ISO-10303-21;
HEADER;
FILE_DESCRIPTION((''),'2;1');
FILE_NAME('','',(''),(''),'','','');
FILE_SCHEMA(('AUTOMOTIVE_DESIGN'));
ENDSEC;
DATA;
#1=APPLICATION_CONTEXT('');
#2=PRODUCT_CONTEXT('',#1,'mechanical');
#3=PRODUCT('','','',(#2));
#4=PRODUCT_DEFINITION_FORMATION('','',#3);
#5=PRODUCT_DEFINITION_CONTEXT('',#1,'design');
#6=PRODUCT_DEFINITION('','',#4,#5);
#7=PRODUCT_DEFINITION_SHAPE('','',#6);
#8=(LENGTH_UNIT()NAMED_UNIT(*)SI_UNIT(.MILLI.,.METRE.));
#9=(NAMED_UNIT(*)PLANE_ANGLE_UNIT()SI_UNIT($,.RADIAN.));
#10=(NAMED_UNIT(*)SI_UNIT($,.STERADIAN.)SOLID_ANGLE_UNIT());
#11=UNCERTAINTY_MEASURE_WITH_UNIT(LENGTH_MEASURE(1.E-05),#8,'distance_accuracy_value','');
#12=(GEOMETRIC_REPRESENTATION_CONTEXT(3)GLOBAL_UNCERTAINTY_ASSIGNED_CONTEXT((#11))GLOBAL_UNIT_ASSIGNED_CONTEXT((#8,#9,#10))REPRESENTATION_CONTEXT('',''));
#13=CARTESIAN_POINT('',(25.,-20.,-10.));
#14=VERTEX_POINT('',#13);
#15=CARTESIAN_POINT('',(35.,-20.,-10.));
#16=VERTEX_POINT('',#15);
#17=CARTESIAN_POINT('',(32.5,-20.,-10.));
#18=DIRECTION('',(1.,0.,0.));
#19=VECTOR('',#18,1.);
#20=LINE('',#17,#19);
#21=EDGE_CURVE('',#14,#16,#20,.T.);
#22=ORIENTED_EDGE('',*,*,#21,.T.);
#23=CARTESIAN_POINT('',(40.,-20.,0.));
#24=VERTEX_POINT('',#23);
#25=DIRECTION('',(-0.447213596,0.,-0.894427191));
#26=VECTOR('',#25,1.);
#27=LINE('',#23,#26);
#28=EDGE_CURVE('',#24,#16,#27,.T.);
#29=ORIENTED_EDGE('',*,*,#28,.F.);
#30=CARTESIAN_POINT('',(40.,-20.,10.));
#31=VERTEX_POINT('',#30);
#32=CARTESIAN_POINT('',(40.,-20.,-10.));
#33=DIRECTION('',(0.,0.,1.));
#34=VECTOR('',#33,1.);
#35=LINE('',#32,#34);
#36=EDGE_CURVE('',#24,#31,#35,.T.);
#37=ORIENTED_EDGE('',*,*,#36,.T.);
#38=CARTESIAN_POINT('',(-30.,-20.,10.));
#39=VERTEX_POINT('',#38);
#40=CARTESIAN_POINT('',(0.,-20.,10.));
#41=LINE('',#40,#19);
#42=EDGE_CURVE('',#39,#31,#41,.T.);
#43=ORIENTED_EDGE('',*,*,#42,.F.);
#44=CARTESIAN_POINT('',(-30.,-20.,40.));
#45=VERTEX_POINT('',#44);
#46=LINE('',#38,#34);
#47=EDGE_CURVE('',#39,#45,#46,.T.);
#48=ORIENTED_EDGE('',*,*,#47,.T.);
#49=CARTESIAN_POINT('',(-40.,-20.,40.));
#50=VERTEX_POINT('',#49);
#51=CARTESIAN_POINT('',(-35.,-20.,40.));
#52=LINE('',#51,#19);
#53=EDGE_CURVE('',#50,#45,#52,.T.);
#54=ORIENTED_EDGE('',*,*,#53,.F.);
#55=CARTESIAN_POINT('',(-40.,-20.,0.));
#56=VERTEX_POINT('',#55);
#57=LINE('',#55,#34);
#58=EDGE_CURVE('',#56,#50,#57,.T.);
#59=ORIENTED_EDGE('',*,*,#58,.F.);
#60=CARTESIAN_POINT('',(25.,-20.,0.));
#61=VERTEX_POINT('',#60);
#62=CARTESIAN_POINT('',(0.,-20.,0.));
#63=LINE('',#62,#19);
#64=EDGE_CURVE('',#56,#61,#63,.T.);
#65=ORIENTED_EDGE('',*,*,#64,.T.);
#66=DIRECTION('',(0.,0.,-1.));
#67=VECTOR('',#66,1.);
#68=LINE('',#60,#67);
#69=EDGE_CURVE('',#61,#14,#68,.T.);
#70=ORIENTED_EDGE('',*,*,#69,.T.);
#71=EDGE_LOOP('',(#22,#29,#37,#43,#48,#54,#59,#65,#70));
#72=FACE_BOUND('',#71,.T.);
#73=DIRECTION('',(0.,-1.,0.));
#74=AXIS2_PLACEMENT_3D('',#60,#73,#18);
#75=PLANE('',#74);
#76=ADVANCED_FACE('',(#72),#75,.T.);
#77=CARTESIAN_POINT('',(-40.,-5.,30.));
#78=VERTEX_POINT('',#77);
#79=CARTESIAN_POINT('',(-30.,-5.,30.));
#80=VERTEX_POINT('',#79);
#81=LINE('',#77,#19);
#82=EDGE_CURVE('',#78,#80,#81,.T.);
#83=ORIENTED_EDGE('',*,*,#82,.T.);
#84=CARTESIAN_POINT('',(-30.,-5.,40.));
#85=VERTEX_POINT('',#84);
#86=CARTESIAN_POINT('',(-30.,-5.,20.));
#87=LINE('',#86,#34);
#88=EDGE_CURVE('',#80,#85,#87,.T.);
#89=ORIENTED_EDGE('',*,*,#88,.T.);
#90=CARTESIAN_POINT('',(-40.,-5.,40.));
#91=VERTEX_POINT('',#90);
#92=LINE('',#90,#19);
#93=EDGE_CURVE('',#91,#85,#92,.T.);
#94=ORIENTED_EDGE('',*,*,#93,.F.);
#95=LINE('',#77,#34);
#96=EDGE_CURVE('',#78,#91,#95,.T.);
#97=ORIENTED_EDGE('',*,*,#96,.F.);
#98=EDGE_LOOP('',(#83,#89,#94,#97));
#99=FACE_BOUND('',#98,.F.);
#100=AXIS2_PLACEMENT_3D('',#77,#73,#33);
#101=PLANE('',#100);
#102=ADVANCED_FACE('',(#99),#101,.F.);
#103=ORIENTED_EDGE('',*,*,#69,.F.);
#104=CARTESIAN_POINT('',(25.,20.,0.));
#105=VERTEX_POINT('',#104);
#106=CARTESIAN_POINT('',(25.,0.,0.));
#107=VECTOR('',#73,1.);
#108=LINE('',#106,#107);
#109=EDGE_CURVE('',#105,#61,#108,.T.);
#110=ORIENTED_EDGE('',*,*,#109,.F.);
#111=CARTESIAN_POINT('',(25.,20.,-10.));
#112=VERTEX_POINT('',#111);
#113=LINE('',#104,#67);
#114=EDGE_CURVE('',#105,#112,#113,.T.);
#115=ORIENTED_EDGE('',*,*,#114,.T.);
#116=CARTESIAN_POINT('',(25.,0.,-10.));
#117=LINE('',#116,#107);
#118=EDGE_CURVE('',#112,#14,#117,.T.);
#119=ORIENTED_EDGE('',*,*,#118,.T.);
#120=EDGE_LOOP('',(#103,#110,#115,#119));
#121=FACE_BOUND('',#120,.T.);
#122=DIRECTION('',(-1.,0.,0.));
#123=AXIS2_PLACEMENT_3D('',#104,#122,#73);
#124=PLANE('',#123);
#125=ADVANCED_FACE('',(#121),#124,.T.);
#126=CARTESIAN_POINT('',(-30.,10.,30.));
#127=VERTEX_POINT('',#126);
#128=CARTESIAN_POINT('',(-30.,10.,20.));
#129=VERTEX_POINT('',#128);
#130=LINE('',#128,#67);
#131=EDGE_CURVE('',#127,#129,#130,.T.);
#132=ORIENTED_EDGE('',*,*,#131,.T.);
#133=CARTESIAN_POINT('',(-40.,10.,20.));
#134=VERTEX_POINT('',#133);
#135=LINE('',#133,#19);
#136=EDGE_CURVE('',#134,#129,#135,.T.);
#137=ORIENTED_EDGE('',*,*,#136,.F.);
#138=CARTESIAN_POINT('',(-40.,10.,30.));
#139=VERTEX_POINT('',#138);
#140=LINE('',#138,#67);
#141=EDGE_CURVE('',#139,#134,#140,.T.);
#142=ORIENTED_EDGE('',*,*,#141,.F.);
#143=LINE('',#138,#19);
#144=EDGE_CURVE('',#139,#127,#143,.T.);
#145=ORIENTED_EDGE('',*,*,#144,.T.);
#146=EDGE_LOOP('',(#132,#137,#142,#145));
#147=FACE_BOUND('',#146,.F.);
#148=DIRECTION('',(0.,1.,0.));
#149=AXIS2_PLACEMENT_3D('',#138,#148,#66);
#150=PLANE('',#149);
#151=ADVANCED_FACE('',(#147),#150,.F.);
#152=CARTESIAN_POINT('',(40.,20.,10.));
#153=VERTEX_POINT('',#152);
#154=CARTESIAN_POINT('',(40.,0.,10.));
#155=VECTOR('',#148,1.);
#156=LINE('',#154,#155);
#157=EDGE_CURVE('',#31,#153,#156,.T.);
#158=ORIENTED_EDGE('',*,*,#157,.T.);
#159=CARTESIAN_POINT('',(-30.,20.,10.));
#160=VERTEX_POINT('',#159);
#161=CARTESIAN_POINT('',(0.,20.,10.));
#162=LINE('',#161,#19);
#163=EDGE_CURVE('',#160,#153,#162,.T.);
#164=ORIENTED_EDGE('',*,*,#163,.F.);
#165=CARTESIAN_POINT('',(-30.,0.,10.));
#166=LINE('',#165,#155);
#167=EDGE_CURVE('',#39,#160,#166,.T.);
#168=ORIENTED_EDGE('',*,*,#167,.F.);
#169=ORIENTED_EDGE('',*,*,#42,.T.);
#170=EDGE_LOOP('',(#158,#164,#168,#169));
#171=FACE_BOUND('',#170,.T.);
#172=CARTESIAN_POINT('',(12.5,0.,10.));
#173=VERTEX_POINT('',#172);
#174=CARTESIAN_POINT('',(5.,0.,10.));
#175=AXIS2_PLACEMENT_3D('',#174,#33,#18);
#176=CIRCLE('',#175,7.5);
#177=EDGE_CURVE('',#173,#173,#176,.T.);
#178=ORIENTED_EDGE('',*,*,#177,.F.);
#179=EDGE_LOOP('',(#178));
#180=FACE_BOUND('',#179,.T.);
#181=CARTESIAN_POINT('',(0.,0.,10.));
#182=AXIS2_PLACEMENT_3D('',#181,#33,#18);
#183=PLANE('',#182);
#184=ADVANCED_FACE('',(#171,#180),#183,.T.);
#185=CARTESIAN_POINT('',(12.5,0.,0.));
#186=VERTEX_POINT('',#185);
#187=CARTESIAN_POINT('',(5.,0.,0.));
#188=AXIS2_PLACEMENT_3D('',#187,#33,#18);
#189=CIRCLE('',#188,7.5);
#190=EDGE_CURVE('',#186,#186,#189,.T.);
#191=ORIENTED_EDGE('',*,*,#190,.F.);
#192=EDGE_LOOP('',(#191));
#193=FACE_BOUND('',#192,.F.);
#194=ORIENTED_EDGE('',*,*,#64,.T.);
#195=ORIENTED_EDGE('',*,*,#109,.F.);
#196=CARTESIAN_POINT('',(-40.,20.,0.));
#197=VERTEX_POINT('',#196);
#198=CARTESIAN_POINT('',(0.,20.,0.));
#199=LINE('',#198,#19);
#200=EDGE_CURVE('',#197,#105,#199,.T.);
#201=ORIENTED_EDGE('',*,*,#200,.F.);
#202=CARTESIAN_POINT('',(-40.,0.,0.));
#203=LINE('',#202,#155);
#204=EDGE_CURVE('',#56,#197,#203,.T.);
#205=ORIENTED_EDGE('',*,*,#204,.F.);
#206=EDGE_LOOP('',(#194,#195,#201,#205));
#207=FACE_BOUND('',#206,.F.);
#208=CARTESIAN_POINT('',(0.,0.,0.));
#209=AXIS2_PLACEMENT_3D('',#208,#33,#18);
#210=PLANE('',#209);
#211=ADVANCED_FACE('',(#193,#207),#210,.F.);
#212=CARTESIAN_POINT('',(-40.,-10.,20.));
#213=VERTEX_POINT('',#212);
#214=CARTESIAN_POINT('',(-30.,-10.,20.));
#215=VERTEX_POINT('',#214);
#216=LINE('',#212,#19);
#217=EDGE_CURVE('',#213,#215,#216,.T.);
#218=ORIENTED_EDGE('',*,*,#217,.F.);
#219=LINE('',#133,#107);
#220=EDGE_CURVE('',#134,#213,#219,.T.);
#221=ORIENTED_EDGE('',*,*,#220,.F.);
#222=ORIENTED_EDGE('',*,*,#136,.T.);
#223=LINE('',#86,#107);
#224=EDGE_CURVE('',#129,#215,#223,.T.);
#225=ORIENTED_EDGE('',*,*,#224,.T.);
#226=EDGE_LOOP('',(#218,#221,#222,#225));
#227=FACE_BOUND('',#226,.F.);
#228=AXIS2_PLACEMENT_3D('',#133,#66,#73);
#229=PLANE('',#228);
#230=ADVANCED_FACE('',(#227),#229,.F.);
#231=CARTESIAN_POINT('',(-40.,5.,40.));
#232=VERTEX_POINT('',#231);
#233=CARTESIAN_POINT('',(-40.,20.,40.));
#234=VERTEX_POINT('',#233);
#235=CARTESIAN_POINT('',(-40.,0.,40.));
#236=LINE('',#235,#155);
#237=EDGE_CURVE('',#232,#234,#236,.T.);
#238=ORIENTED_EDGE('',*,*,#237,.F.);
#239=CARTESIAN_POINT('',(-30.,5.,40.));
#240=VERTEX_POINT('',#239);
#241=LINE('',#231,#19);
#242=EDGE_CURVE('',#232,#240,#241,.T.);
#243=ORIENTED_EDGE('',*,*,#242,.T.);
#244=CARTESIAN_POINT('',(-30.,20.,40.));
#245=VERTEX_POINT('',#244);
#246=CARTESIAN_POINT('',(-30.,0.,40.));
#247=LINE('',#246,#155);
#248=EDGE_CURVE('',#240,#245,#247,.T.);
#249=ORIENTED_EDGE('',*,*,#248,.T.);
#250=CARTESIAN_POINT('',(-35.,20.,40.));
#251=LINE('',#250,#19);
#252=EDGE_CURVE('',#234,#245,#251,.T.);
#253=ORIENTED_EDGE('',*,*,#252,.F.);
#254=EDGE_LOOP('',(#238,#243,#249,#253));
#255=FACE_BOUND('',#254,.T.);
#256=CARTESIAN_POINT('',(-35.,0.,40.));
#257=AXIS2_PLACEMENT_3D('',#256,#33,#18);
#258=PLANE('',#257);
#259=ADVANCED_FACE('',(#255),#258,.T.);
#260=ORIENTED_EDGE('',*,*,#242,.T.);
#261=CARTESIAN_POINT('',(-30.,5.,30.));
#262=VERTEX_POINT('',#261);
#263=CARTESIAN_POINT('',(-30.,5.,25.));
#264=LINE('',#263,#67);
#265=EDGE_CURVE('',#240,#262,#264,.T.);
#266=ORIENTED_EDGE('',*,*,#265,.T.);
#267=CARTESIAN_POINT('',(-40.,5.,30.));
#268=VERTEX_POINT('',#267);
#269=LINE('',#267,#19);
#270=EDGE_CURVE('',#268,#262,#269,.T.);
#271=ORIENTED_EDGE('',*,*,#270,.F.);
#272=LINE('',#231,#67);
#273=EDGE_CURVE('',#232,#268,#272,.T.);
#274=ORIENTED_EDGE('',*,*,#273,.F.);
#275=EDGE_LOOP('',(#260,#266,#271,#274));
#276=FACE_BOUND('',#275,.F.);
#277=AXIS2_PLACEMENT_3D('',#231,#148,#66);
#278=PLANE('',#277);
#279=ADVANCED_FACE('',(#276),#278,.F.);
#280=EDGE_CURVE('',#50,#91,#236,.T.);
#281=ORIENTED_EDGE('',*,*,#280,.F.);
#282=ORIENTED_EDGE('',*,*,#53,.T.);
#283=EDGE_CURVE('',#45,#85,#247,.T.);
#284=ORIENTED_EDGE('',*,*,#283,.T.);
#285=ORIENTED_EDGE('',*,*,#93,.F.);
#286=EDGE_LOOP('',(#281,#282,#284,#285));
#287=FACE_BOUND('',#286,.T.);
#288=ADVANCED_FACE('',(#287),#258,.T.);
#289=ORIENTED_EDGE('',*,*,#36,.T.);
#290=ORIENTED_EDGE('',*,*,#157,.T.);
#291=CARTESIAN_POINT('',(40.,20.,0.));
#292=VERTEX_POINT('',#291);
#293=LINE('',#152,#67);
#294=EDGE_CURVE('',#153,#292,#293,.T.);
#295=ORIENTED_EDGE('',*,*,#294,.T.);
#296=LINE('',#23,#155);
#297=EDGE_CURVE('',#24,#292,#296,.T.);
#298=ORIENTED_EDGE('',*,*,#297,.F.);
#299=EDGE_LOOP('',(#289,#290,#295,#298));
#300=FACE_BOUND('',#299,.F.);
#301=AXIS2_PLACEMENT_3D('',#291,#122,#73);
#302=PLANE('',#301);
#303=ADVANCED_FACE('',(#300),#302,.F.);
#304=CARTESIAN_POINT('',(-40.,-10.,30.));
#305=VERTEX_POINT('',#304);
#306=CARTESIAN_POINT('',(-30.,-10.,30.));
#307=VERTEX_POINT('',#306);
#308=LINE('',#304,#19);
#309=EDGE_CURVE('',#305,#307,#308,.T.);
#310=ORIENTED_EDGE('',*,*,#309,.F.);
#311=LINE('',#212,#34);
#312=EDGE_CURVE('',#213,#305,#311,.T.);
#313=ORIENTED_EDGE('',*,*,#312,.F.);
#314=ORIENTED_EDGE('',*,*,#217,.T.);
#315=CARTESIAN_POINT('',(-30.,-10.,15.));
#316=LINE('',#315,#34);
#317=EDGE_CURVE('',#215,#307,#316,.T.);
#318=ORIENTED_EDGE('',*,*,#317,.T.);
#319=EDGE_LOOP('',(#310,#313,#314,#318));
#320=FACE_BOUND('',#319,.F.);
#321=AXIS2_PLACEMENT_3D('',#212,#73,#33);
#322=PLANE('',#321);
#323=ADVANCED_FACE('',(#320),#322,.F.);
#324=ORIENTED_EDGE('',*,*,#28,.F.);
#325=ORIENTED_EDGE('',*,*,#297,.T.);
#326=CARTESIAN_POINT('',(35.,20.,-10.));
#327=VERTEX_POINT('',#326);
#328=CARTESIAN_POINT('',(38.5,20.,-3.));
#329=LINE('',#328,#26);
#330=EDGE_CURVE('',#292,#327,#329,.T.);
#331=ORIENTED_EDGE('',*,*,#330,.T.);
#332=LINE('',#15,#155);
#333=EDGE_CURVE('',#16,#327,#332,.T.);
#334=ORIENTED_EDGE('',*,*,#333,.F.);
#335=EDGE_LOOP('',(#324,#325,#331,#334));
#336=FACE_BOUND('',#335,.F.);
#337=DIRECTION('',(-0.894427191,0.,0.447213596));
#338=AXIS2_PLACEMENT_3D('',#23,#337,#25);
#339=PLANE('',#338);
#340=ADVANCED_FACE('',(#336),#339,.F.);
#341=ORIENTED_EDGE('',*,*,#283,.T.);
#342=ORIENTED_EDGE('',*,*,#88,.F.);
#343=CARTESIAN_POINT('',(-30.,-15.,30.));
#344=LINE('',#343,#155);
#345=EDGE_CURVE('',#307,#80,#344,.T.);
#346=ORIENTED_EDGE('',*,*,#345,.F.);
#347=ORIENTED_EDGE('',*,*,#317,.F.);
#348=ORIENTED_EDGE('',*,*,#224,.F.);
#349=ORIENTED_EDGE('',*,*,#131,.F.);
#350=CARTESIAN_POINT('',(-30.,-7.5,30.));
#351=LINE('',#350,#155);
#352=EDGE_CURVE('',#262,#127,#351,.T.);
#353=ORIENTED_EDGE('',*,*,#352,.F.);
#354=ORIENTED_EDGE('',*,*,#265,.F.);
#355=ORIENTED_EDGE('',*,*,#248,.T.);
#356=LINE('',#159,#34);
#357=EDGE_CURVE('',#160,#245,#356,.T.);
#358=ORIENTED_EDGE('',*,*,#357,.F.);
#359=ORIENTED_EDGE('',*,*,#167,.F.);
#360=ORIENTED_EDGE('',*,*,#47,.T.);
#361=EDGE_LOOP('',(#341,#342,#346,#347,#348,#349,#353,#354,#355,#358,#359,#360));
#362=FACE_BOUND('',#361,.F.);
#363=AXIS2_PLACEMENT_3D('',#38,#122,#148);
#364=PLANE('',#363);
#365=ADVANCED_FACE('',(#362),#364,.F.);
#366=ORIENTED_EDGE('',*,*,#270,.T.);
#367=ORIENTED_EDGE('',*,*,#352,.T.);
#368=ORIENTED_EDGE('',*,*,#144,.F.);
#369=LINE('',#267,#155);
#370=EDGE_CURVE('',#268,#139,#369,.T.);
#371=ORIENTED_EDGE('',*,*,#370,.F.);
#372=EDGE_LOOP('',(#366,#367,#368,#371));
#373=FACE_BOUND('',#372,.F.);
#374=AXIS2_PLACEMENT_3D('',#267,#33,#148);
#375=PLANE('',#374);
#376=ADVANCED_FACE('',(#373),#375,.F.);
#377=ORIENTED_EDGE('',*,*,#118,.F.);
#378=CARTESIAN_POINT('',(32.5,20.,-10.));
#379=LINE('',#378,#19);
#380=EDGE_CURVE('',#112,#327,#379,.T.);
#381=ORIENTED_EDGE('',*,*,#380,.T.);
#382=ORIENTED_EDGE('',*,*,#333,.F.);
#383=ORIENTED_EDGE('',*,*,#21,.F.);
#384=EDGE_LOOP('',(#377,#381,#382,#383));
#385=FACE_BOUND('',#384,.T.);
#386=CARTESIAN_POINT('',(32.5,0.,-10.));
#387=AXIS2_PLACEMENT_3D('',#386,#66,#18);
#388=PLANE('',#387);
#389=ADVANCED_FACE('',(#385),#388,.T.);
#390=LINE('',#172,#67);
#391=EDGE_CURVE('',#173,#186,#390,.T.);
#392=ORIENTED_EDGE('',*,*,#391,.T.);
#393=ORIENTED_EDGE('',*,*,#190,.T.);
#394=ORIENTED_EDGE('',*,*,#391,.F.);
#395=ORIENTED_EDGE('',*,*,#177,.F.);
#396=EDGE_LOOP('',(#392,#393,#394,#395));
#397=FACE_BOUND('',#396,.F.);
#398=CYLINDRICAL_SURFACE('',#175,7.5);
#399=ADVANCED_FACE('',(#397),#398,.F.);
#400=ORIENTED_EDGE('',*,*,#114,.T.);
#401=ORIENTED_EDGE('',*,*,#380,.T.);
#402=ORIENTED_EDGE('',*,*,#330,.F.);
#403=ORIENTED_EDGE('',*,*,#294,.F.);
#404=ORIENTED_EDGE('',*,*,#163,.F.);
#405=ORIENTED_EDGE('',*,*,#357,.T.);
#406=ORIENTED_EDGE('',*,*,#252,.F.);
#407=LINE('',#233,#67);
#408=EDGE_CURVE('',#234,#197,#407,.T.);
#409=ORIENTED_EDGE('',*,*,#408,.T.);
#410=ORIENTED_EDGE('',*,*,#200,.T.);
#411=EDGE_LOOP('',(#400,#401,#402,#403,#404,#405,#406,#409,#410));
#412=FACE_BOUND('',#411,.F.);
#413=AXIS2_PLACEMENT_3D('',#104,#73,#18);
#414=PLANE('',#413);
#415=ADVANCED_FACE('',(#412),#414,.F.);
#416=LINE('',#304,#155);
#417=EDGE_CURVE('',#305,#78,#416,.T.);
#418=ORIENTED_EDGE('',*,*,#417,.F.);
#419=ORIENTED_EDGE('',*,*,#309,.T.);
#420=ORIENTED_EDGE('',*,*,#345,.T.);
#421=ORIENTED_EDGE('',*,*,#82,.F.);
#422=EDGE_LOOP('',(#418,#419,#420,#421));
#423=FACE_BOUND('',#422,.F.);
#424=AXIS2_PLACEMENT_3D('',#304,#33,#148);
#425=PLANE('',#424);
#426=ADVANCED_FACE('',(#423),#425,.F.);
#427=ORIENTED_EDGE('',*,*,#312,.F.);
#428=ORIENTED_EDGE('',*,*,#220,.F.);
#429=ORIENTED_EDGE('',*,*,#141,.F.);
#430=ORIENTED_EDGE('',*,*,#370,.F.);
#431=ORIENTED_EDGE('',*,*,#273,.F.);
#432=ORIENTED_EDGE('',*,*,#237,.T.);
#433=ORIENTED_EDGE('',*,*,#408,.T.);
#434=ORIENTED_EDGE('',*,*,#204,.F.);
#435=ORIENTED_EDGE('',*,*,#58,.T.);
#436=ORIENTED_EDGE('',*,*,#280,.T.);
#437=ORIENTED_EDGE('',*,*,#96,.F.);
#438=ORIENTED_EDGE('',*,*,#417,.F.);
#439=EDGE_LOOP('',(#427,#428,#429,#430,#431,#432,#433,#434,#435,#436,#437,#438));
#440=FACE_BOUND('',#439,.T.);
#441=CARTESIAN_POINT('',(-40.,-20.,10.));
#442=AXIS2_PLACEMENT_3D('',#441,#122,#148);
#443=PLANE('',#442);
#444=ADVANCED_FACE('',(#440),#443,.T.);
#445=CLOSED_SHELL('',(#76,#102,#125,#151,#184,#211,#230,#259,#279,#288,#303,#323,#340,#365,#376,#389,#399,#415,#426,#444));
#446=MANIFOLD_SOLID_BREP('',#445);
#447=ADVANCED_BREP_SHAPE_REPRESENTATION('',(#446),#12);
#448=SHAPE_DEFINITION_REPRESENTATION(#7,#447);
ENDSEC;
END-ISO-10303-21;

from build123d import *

# Parameters (mm, degrees)
F0_W      = 80
F0_H      = 40
F1_DEPTH  = 10
F2_W      = 10
F2_H      = 40
F3_DEPTH  = 30
F4_W      = 15
F4_H      = 40
F5_DEPTH  = 10
F7_DEPTH  = 40.001
F9_DEPTH  = 80.001
F10_R     = 7.5
F11_DEPTH = 20.001


with BuildPart() as f1:
    # F0 (on Top) → F1 (new body)
    with BuildSketch(Plane.XY):
        Rectangle(F0_W, F0_H)
    extrude(amount=F1_DEPTH)

    # F2 (on face) → F3 (join)
    with BuildSketch(Plane.XY.offset(10)):
        with Locations((-35, 0)):
            Rectangle(F2_W, F2_H)
    extrude(amount=F3_DEPTH)

    # F4 (on face) → F5 (join)
    with BuildSketch(Plane(origin=(0, 0, 0), x_dir=(1, 0, 0), z_dir=(0, 0, -1))):
        with Locations((32.5, 0)):
            Rectangle(F4_W, F4_H)
    extrude(amount=F5_DEPTH)

    # F6 (on face) → F7 (cut, through all)
    with BuildSketch(Plane.XZ.offset(20)):
        Polygon((40, 0), (35, -10), (40, -10), align=None)
    extrude(amount=-F7_DEPTH, mode=Mode.SUBTRACT)

    # F8 (on face) → F9 (cut, through all)
    with BuildSketch(Plane(origin=(-40, 0, 0), x_dir=(0, -1, 0), z_dir=(-1, 0, 0))):
        Polygon((5, 40), (-5, 40), (-5, 30), (-10, 30), (-10, 20), (10, 20), (10, 30), (5, 30), align=None)
    extrude(amount=-F9_DEPTH, mode=Mode.SUBTRACT)

    # F10 (on face) → F11 (cut, through all)
    with BuildSketch(Plane.XY.offset(10)):
        with Locations((5, 0)):
            Circle(F10_R)
    extrude(amount=-F11_DEPTH, mode=Mode.SUBTRACT)


solid = f1.part
